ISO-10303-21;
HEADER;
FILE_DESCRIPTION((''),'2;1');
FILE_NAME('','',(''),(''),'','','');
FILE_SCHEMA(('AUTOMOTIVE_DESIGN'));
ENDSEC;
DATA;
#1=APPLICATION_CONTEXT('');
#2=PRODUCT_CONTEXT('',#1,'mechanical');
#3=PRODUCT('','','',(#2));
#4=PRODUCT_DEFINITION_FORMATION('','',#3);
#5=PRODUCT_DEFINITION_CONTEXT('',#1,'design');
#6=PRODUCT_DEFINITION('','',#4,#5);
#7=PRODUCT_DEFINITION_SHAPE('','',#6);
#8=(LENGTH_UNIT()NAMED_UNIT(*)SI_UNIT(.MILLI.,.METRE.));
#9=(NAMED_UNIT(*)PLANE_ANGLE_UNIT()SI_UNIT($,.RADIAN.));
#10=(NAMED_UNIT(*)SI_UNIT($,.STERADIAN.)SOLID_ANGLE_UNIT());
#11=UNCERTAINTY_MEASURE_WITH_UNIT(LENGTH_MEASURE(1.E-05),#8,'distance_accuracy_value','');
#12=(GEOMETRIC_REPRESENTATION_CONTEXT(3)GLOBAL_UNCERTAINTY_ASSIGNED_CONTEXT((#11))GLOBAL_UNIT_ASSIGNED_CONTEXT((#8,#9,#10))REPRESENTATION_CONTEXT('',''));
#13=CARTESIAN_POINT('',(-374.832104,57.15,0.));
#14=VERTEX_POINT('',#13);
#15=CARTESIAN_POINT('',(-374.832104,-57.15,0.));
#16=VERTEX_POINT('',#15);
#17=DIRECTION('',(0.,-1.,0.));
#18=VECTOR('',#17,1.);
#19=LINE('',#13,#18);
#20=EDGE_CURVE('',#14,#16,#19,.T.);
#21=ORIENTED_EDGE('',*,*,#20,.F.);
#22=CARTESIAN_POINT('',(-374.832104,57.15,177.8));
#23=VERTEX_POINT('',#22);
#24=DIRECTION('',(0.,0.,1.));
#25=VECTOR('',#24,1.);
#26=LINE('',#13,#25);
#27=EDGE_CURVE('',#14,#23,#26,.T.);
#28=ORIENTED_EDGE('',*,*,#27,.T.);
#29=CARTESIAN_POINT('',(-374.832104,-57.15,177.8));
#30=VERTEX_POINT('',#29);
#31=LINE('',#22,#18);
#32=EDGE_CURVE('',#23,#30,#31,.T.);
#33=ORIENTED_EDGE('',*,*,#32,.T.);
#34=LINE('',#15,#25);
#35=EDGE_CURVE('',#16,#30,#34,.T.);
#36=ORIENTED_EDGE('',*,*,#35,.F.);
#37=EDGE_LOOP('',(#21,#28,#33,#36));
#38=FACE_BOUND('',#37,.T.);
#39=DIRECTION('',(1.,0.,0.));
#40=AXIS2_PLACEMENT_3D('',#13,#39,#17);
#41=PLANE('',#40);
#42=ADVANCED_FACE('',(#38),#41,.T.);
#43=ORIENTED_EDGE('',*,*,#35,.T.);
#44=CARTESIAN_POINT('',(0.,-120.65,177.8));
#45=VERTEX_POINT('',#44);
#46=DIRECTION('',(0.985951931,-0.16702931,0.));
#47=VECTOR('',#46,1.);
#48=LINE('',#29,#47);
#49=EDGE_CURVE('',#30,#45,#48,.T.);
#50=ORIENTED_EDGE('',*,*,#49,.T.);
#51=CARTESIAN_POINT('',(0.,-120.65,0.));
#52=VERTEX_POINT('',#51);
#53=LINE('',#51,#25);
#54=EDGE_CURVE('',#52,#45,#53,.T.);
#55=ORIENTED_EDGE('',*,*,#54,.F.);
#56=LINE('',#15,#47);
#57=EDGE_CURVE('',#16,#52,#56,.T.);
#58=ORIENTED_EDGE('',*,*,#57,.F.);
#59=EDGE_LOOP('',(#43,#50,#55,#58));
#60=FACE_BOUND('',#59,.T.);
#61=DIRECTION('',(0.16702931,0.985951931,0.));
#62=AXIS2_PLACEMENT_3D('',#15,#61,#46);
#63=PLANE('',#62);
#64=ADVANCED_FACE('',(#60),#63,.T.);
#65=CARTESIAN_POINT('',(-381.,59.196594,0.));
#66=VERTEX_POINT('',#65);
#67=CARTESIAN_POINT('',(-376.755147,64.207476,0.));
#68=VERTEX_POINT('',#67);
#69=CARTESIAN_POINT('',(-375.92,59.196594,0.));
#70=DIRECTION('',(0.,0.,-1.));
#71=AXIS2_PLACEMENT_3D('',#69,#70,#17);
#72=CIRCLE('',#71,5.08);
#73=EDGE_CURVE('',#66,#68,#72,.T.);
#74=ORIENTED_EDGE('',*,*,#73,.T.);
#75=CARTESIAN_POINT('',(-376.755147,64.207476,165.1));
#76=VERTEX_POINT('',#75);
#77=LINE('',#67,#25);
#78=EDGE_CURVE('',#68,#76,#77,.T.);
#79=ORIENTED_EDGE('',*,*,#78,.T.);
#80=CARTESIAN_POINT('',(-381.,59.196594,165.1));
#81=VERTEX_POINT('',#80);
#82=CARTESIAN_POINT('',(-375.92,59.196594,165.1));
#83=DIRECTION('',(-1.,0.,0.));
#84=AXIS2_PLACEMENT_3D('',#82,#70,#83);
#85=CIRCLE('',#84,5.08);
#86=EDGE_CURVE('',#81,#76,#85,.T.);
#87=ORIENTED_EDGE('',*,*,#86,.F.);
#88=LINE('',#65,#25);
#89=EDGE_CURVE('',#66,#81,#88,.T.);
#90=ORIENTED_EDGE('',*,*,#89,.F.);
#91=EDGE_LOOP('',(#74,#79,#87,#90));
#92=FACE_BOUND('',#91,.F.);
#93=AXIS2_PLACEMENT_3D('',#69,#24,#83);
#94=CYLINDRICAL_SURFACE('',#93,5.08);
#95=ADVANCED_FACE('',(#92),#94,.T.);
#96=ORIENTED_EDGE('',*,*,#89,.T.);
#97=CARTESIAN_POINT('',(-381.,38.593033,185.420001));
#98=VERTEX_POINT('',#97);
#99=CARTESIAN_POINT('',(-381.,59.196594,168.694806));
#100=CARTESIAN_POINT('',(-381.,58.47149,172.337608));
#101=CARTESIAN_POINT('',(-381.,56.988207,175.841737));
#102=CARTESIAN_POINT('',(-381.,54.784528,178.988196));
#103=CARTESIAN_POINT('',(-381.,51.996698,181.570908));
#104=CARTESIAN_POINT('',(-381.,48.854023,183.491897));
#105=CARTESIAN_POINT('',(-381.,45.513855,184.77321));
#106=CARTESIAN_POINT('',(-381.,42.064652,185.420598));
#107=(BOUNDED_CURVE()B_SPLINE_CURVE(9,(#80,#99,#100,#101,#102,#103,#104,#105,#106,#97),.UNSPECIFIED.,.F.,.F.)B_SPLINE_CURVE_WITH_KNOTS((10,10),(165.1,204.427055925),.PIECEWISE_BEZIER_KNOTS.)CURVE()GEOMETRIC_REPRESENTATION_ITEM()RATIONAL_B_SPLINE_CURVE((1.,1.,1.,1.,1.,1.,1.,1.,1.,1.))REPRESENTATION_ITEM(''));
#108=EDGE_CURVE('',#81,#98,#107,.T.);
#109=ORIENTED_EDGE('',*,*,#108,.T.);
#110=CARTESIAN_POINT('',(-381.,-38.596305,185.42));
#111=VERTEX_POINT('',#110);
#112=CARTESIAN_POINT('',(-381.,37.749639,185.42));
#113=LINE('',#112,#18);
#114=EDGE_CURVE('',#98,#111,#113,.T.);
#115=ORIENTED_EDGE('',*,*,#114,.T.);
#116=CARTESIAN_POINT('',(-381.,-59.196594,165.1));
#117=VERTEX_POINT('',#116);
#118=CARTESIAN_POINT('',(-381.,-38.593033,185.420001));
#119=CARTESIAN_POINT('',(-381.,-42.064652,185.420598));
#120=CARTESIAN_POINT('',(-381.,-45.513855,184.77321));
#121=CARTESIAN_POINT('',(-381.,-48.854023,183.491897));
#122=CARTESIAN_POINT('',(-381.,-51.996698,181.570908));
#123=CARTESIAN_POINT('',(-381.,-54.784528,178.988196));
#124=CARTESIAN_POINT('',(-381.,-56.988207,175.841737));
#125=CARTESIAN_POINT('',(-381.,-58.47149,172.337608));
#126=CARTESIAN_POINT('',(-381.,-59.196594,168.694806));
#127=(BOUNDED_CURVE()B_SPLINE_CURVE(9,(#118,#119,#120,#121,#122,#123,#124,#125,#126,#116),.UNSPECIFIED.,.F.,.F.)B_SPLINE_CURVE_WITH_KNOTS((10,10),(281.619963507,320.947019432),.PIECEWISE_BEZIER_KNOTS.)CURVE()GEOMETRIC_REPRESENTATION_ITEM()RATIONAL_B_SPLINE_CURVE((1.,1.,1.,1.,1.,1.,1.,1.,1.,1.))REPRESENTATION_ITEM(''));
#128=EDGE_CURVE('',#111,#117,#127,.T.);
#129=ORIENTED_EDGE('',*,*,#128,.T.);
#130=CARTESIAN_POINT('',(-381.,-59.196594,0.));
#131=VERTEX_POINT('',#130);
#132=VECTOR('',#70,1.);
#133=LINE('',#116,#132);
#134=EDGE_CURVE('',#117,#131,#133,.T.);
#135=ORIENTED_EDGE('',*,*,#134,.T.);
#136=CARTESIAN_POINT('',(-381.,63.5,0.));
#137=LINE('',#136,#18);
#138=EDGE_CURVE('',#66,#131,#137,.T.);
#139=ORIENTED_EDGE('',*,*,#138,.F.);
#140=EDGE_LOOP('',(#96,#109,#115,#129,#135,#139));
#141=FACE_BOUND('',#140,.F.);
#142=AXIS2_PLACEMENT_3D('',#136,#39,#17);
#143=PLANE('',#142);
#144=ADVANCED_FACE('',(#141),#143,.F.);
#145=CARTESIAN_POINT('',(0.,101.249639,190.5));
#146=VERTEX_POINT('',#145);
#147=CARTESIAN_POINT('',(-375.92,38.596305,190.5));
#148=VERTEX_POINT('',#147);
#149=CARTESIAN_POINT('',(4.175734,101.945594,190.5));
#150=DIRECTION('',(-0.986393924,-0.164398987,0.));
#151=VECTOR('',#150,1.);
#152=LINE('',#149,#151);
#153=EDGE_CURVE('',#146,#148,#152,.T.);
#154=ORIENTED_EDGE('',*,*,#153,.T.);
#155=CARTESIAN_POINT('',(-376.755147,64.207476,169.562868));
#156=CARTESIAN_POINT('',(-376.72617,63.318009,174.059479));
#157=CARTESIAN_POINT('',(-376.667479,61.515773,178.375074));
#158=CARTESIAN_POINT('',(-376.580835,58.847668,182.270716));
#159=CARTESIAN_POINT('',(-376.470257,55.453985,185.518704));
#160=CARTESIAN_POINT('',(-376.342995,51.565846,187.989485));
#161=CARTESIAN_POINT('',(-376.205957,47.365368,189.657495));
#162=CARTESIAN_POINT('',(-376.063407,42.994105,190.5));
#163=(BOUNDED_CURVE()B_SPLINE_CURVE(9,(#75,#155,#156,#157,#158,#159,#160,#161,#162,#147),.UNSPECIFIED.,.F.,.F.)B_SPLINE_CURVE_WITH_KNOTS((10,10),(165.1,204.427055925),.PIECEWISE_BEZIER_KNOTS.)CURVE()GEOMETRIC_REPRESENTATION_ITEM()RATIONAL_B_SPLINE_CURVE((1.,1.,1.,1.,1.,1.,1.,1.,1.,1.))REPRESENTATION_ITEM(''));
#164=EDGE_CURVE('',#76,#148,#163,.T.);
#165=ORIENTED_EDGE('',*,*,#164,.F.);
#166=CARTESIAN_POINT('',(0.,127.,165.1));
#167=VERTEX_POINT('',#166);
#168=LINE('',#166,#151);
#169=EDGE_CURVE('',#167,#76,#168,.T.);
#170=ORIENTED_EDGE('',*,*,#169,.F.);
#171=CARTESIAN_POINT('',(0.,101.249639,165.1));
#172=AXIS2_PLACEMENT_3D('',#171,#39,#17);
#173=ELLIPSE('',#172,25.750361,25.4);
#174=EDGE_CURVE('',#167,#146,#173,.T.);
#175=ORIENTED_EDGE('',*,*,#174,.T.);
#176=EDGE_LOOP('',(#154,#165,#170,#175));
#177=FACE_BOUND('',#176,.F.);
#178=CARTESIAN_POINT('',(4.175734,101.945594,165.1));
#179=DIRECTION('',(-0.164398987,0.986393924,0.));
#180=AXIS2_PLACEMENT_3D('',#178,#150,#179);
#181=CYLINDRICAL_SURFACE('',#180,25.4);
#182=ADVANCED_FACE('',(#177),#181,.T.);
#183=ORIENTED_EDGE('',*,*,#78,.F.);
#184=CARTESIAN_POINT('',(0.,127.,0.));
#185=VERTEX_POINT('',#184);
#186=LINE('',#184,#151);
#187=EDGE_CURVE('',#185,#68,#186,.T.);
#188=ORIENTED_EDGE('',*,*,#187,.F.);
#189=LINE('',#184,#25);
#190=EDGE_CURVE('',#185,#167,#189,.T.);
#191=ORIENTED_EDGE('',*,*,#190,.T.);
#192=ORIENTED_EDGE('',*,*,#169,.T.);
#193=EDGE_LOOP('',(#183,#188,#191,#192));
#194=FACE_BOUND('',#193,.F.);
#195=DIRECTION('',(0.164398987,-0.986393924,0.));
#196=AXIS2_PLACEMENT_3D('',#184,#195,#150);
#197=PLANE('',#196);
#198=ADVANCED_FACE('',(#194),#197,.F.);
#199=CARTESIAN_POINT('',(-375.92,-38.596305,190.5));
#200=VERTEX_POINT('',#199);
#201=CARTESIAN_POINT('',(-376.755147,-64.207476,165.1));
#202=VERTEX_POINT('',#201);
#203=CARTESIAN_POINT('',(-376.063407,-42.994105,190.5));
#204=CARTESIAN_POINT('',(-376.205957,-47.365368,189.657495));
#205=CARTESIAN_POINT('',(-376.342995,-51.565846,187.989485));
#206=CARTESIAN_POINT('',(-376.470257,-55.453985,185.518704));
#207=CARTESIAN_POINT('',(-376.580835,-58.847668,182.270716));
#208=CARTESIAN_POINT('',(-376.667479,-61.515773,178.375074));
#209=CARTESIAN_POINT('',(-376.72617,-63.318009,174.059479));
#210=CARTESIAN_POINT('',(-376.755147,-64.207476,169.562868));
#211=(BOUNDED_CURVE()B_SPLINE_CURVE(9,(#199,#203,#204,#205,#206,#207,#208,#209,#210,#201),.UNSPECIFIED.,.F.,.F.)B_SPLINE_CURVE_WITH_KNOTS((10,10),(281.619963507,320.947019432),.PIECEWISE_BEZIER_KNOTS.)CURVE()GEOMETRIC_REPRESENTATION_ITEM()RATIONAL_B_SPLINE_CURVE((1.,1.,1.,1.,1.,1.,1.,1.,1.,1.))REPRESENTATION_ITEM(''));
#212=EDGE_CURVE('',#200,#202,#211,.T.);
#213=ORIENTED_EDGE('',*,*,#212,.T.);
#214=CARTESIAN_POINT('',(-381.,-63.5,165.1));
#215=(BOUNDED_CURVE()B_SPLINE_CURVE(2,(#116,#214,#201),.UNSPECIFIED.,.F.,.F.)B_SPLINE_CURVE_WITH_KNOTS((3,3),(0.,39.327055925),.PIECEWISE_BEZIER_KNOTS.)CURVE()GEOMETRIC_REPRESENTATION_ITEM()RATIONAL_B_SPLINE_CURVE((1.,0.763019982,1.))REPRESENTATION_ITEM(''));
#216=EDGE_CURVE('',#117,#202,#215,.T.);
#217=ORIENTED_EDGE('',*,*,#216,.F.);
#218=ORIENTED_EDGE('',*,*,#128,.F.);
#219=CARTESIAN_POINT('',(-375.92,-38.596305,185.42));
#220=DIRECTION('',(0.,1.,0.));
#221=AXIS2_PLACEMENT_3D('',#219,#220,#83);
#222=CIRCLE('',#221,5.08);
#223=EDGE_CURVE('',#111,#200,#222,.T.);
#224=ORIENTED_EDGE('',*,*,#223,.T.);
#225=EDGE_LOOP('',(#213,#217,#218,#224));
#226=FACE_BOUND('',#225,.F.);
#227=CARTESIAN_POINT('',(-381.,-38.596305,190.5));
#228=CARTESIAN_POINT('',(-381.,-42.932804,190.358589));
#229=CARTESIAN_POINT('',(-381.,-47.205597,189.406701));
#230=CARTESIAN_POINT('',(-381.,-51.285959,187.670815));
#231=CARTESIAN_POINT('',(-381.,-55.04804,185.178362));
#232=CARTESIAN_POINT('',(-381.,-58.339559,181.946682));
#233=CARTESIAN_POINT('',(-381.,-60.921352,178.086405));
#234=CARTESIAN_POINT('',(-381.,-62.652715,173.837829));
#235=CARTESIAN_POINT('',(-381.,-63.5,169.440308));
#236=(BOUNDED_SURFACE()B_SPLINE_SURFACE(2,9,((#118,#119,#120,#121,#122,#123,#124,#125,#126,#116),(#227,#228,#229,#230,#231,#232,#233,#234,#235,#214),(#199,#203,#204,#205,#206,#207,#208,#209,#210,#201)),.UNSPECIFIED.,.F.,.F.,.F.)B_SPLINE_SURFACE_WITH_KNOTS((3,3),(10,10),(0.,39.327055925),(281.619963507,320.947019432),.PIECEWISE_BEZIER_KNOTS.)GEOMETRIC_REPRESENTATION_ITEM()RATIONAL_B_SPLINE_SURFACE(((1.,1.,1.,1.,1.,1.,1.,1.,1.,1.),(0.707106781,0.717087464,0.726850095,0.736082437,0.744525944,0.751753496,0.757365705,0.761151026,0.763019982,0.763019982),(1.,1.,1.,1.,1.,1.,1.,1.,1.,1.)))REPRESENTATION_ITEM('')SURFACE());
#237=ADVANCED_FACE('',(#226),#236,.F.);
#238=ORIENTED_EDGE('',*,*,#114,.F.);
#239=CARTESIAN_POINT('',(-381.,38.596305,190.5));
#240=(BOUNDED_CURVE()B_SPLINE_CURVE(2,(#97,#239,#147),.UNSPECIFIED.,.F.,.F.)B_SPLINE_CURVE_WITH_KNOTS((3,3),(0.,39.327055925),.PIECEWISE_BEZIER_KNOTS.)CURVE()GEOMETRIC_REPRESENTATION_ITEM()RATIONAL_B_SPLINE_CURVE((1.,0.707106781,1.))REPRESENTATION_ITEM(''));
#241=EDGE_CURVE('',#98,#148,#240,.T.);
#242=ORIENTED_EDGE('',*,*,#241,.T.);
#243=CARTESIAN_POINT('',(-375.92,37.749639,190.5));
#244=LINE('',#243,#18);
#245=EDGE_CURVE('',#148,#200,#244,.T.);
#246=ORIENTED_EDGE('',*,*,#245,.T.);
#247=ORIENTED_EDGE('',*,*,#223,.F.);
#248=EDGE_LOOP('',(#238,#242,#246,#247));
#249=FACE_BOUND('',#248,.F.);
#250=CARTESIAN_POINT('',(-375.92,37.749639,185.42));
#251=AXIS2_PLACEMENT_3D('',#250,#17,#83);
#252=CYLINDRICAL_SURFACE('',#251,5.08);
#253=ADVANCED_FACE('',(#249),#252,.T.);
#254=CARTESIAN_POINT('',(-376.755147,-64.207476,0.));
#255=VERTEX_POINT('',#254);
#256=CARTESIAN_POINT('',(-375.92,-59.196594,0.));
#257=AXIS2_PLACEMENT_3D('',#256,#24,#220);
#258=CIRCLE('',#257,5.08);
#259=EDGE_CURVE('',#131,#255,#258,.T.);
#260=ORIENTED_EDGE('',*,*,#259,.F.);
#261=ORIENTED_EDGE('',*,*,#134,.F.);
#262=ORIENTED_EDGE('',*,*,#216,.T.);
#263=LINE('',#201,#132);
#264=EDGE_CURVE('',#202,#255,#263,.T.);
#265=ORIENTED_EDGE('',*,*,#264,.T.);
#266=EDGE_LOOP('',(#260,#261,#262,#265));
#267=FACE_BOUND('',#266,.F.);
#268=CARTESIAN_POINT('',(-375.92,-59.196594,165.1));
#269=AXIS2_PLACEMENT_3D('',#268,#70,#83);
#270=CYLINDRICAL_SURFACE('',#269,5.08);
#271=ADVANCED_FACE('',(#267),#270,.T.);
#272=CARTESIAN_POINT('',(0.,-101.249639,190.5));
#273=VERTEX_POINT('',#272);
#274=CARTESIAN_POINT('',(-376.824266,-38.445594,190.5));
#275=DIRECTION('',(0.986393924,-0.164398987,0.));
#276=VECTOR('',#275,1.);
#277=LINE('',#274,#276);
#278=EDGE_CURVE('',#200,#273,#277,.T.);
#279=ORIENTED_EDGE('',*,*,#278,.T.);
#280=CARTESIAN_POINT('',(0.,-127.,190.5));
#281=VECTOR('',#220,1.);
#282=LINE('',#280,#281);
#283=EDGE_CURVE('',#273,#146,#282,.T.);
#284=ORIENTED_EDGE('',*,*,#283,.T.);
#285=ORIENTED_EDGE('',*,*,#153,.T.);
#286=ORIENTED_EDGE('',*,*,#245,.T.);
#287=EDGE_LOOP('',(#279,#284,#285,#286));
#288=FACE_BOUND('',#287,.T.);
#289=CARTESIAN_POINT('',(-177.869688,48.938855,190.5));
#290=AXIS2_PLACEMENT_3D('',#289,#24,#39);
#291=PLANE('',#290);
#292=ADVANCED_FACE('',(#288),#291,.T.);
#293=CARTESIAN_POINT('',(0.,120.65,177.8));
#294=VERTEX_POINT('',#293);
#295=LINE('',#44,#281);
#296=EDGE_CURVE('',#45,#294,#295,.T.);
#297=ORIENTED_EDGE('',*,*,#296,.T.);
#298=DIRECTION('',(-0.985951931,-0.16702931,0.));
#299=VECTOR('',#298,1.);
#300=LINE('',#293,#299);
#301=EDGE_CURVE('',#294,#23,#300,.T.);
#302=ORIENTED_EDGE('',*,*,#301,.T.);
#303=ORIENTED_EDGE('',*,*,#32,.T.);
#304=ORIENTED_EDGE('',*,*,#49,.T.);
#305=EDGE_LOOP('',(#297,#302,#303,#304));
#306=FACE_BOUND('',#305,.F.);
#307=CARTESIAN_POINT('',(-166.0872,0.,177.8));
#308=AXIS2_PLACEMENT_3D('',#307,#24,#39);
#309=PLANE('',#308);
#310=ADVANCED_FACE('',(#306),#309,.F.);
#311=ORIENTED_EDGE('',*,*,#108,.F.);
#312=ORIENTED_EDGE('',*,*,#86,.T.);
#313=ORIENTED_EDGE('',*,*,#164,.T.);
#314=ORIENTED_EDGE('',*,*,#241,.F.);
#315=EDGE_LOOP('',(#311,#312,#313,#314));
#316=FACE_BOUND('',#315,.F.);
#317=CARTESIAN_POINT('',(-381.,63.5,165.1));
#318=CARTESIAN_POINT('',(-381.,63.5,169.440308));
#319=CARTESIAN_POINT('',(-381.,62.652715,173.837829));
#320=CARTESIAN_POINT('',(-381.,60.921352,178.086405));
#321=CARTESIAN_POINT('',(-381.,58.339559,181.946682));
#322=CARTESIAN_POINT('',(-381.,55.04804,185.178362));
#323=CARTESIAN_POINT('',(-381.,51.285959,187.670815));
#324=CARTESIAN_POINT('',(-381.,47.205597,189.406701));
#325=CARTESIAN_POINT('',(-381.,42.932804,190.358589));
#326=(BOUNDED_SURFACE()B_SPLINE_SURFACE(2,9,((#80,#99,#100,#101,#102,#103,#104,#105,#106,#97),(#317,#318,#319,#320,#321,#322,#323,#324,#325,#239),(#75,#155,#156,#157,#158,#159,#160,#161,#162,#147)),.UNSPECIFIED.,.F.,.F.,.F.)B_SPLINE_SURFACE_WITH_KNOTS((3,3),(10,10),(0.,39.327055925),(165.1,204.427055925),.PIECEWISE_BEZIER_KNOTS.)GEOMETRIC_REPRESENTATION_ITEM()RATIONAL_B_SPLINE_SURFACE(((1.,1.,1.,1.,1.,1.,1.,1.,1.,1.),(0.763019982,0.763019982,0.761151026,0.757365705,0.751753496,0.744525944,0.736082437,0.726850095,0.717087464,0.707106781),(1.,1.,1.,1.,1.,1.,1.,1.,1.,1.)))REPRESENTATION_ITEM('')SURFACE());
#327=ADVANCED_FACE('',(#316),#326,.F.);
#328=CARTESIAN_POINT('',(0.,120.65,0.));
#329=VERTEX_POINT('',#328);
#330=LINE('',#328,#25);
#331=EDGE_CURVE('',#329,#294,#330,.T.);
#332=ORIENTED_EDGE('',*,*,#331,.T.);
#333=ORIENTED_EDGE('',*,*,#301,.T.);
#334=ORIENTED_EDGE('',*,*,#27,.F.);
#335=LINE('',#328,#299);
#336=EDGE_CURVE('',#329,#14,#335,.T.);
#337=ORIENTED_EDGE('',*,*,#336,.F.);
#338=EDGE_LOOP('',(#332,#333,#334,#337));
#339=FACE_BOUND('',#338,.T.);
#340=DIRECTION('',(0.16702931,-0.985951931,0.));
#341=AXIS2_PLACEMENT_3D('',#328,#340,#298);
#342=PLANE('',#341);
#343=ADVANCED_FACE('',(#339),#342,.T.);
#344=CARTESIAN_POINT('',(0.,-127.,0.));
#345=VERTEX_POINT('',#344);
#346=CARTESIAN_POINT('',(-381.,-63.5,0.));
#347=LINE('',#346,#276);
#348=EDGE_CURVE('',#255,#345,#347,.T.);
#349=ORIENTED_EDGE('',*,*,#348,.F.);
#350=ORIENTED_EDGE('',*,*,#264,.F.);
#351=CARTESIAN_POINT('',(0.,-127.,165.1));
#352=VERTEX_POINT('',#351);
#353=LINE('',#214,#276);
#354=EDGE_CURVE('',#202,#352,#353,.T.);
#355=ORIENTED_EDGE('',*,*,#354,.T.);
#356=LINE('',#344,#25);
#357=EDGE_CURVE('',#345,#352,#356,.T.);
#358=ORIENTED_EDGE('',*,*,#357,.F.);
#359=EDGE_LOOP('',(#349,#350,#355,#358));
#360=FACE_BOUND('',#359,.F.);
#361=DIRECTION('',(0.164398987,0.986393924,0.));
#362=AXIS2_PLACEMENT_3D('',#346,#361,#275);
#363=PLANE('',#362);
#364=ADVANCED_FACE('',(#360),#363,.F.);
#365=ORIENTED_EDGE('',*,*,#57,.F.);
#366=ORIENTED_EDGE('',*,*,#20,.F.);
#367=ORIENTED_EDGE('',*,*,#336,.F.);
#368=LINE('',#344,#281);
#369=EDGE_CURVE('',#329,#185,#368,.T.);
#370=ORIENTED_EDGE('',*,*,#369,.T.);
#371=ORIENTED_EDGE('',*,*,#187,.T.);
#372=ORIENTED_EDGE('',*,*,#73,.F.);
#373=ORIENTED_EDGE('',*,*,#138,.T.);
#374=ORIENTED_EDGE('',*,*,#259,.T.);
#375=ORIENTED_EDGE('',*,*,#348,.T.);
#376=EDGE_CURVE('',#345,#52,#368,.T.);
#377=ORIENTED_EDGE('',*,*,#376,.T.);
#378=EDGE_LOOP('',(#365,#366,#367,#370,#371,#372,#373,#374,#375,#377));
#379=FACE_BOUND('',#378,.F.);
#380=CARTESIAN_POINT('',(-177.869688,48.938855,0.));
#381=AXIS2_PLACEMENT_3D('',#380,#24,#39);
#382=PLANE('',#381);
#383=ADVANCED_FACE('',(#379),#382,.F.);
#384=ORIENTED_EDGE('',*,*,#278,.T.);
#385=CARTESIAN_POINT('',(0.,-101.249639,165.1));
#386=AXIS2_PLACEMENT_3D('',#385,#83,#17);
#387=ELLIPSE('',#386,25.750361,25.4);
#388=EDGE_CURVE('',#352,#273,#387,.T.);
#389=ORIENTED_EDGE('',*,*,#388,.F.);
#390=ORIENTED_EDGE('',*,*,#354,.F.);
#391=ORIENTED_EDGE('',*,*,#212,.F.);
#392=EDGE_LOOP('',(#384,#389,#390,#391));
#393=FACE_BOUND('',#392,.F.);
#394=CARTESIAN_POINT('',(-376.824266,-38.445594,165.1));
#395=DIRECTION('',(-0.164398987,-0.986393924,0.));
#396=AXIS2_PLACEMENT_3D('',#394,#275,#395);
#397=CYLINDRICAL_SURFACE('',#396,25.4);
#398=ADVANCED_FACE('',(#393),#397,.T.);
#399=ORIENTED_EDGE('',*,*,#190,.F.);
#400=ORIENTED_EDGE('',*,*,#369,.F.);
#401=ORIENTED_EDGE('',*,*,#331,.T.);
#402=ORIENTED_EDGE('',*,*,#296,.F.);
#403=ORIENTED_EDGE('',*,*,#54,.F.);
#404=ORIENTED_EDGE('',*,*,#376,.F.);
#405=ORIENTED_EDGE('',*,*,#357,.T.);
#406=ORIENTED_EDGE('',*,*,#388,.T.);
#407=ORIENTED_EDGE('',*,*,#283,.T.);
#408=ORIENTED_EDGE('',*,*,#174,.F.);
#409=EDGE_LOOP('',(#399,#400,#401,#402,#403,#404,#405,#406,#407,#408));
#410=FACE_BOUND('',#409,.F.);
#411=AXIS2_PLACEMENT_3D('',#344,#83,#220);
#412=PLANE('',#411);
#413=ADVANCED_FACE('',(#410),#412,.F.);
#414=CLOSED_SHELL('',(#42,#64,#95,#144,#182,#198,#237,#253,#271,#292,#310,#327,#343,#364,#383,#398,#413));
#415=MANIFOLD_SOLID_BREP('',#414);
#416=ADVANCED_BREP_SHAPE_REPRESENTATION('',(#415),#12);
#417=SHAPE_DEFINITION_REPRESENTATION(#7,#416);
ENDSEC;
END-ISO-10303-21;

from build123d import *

# Parameters (mm, degrees)
F1_DEPTH = 190.5
F2_R     = 25.4
F3_R     = 5.08
F5_DEPTH = 177.8


with BuildPart() as f1:
    # F0 (on Top) → F1 (new body)
    with BuildSketch(Plane.XY):
        Polygon((0, 0), (0, 127), (-381, 63.5), (-381, 0), align=None)
        Polygon((0, -127), (0, 0), (-381, 0), (-381, -63.5), align=None)
    extrude(amount=F1_DEPTH)

    # F2
    f2_edges = [f1.edges().sort_by_distance(p)[0] for p in [
        (-190.5, -95.25, 190.5),
        (-190.5, 95.25, 190.5),
    ]]
    fillet(f2_edges, radius=F2_R)

    # F3
    f3_edges = [f1.edges().sort_by_distance(p)[0] for p in [
        (-381, 0, 190.5),
    ]]
    fillet(f3_edges, radius=F3_R)

    # F4 (on Top) → F5 (cut)
    with BuildSketch(Plane.XY):
        Polygon((-374.832104, -57.15), (0, -120.65), (0, 120.65), (-374.832104, 57.15), (-374.832104, 0), align=None)
    extrude(amount=F5_DEPTH, mode=Mode.SUBTRACT)


solid = f1.part
